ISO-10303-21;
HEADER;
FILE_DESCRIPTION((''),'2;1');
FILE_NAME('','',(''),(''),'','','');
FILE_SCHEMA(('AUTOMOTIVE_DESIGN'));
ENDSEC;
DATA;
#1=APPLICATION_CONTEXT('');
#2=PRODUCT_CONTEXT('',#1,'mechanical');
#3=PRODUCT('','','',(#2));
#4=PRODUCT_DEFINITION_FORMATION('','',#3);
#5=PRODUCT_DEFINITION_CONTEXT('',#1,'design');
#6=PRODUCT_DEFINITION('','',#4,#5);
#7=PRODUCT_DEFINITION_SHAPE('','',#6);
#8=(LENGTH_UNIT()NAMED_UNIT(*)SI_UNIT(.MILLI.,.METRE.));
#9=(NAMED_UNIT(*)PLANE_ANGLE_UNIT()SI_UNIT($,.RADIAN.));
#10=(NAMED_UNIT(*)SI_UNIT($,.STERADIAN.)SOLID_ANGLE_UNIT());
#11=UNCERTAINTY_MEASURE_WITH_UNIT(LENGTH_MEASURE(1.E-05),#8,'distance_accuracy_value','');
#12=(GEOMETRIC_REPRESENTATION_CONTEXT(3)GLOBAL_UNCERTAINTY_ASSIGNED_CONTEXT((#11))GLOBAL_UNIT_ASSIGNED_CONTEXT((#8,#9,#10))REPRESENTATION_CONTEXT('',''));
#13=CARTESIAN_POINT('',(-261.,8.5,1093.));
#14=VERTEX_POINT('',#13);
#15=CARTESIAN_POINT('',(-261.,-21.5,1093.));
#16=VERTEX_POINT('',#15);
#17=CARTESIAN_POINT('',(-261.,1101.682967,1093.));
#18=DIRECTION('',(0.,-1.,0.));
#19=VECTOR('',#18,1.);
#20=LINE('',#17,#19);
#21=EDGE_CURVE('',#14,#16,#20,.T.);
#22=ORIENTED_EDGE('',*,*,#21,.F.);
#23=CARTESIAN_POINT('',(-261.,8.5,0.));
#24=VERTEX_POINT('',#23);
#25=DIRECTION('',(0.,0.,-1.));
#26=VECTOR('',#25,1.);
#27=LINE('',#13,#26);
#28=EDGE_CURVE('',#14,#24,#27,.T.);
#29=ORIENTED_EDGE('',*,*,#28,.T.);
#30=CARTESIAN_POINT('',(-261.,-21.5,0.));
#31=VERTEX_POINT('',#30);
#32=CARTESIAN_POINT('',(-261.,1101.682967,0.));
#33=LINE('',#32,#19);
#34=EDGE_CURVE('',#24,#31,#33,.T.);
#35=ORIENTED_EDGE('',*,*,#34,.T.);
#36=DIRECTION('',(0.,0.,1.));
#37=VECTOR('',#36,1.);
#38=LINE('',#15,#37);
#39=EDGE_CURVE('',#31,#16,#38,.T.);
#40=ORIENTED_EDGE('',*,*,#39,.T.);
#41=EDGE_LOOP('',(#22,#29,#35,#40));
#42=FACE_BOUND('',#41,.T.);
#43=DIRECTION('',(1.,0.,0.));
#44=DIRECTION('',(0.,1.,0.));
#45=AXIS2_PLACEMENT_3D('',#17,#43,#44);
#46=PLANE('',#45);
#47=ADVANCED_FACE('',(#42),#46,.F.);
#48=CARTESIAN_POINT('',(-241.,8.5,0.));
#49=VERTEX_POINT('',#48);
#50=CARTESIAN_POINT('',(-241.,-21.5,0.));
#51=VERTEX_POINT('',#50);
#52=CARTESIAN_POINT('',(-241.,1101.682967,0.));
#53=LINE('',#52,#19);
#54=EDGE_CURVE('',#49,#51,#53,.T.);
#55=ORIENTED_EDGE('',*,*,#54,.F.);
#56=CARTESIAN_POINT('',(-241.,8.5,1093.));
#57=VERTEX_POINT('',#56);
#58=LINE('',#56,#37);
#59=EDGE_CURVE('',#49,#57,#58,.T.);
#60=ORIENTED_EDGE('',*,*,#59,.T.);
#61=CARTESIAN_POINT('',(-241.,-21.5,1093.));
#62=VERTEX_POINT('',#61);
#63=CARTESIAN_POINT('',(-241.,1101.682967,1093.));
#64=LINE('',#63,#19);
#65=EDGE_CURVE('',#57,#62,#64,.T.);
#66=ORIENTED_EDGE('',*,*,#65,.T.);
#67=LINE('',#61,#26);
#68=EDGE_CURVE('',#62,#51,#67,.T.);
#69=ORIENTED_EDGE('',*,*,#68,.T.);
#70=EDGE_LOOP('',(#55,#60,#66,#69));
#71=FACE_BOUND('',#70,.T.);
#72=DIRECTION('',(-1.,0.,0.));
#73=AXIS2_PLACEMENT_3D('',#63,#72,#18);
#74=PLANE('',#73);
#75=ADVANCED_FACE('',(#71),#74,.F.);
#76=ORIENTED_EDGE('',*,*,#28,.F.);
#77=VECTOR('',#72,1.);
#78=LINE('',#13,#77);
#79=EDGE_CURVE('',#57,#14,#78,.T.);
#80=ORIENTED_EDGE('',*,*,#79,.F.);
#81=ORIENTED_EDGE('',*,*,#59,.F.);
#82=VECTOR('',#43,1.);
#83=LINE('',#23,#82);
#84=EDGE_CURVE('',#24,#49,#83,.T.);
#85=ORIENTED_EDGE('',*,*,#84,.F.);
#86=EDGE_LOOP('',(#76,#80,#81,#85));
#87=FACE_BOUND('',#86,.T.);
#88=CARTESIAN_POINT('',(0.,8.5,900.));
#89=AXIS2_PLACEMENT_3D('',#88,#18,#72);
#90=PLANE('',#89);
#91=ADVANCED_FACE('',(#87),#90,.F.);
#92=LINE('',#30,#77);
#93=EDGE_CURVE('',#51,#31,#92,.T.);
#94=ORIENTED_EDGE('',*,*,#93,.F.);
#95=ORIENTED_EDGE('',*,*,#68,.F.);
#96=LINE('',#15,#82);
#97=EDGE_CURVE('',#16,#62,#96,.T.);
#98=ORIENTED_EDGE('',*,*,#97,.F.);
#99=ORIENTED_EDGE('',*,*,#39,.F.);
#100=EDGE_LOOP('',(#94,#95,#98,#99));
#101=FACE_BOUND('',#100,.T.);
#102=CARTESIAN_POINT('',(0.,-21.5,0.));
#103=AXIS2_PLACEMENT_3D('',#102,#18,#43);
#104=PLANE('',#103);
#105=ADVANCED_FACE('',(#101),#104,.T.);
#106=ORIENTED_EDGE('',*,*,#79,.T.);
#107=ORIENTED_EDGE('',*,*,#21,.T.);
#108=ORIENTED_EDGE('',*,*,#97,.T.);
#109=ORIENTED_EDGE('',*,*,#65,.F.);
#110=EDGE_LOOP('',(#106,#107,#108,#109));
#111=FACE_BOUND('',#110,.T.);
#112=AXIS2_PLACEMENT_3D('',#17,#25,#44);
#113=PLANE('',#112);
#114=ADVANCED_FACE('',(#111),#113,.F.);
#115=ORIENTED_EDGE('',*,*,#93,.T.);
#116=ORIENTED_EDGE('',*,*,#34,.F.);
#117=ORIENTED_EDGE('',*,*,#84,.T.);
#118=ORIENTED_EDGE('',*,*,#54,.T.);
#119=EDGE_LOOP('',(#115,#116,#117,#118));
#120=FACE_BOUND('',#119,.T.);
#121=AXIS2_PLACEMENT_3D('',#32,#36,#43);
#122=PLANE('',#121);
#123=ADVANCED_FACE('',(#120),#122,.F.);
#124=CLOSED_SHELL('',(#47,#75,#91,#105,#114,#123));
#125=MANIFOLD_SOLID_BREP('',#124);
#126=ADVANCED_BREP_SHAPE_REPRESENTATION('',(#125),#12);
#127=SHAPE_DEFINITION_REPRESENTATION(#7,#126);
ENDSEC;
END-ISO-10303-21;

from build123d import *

# Parameters (mm, degrees)
ESQUISSE2_W        = 20
ESQUISSE2_H        = 1093
BOSS_EXTRU_1_DEPTH = 30


with BuildPart() as part:
    # Esquisse2 → Boss.-Extru.1 (new body)
    with BuildSketch(Plane(origin=(0, -21.5, 0), x_dir=(1, 0, 0), z_dir=(0, 1, 0))):
        with Locations((-251, -546.5)):
            Rectangle(ESQUISSE2_W, ESQUISSE2_H)
    extrude(amount=BOSS_EXTRU_1_DEPTH)


solid = part.part
